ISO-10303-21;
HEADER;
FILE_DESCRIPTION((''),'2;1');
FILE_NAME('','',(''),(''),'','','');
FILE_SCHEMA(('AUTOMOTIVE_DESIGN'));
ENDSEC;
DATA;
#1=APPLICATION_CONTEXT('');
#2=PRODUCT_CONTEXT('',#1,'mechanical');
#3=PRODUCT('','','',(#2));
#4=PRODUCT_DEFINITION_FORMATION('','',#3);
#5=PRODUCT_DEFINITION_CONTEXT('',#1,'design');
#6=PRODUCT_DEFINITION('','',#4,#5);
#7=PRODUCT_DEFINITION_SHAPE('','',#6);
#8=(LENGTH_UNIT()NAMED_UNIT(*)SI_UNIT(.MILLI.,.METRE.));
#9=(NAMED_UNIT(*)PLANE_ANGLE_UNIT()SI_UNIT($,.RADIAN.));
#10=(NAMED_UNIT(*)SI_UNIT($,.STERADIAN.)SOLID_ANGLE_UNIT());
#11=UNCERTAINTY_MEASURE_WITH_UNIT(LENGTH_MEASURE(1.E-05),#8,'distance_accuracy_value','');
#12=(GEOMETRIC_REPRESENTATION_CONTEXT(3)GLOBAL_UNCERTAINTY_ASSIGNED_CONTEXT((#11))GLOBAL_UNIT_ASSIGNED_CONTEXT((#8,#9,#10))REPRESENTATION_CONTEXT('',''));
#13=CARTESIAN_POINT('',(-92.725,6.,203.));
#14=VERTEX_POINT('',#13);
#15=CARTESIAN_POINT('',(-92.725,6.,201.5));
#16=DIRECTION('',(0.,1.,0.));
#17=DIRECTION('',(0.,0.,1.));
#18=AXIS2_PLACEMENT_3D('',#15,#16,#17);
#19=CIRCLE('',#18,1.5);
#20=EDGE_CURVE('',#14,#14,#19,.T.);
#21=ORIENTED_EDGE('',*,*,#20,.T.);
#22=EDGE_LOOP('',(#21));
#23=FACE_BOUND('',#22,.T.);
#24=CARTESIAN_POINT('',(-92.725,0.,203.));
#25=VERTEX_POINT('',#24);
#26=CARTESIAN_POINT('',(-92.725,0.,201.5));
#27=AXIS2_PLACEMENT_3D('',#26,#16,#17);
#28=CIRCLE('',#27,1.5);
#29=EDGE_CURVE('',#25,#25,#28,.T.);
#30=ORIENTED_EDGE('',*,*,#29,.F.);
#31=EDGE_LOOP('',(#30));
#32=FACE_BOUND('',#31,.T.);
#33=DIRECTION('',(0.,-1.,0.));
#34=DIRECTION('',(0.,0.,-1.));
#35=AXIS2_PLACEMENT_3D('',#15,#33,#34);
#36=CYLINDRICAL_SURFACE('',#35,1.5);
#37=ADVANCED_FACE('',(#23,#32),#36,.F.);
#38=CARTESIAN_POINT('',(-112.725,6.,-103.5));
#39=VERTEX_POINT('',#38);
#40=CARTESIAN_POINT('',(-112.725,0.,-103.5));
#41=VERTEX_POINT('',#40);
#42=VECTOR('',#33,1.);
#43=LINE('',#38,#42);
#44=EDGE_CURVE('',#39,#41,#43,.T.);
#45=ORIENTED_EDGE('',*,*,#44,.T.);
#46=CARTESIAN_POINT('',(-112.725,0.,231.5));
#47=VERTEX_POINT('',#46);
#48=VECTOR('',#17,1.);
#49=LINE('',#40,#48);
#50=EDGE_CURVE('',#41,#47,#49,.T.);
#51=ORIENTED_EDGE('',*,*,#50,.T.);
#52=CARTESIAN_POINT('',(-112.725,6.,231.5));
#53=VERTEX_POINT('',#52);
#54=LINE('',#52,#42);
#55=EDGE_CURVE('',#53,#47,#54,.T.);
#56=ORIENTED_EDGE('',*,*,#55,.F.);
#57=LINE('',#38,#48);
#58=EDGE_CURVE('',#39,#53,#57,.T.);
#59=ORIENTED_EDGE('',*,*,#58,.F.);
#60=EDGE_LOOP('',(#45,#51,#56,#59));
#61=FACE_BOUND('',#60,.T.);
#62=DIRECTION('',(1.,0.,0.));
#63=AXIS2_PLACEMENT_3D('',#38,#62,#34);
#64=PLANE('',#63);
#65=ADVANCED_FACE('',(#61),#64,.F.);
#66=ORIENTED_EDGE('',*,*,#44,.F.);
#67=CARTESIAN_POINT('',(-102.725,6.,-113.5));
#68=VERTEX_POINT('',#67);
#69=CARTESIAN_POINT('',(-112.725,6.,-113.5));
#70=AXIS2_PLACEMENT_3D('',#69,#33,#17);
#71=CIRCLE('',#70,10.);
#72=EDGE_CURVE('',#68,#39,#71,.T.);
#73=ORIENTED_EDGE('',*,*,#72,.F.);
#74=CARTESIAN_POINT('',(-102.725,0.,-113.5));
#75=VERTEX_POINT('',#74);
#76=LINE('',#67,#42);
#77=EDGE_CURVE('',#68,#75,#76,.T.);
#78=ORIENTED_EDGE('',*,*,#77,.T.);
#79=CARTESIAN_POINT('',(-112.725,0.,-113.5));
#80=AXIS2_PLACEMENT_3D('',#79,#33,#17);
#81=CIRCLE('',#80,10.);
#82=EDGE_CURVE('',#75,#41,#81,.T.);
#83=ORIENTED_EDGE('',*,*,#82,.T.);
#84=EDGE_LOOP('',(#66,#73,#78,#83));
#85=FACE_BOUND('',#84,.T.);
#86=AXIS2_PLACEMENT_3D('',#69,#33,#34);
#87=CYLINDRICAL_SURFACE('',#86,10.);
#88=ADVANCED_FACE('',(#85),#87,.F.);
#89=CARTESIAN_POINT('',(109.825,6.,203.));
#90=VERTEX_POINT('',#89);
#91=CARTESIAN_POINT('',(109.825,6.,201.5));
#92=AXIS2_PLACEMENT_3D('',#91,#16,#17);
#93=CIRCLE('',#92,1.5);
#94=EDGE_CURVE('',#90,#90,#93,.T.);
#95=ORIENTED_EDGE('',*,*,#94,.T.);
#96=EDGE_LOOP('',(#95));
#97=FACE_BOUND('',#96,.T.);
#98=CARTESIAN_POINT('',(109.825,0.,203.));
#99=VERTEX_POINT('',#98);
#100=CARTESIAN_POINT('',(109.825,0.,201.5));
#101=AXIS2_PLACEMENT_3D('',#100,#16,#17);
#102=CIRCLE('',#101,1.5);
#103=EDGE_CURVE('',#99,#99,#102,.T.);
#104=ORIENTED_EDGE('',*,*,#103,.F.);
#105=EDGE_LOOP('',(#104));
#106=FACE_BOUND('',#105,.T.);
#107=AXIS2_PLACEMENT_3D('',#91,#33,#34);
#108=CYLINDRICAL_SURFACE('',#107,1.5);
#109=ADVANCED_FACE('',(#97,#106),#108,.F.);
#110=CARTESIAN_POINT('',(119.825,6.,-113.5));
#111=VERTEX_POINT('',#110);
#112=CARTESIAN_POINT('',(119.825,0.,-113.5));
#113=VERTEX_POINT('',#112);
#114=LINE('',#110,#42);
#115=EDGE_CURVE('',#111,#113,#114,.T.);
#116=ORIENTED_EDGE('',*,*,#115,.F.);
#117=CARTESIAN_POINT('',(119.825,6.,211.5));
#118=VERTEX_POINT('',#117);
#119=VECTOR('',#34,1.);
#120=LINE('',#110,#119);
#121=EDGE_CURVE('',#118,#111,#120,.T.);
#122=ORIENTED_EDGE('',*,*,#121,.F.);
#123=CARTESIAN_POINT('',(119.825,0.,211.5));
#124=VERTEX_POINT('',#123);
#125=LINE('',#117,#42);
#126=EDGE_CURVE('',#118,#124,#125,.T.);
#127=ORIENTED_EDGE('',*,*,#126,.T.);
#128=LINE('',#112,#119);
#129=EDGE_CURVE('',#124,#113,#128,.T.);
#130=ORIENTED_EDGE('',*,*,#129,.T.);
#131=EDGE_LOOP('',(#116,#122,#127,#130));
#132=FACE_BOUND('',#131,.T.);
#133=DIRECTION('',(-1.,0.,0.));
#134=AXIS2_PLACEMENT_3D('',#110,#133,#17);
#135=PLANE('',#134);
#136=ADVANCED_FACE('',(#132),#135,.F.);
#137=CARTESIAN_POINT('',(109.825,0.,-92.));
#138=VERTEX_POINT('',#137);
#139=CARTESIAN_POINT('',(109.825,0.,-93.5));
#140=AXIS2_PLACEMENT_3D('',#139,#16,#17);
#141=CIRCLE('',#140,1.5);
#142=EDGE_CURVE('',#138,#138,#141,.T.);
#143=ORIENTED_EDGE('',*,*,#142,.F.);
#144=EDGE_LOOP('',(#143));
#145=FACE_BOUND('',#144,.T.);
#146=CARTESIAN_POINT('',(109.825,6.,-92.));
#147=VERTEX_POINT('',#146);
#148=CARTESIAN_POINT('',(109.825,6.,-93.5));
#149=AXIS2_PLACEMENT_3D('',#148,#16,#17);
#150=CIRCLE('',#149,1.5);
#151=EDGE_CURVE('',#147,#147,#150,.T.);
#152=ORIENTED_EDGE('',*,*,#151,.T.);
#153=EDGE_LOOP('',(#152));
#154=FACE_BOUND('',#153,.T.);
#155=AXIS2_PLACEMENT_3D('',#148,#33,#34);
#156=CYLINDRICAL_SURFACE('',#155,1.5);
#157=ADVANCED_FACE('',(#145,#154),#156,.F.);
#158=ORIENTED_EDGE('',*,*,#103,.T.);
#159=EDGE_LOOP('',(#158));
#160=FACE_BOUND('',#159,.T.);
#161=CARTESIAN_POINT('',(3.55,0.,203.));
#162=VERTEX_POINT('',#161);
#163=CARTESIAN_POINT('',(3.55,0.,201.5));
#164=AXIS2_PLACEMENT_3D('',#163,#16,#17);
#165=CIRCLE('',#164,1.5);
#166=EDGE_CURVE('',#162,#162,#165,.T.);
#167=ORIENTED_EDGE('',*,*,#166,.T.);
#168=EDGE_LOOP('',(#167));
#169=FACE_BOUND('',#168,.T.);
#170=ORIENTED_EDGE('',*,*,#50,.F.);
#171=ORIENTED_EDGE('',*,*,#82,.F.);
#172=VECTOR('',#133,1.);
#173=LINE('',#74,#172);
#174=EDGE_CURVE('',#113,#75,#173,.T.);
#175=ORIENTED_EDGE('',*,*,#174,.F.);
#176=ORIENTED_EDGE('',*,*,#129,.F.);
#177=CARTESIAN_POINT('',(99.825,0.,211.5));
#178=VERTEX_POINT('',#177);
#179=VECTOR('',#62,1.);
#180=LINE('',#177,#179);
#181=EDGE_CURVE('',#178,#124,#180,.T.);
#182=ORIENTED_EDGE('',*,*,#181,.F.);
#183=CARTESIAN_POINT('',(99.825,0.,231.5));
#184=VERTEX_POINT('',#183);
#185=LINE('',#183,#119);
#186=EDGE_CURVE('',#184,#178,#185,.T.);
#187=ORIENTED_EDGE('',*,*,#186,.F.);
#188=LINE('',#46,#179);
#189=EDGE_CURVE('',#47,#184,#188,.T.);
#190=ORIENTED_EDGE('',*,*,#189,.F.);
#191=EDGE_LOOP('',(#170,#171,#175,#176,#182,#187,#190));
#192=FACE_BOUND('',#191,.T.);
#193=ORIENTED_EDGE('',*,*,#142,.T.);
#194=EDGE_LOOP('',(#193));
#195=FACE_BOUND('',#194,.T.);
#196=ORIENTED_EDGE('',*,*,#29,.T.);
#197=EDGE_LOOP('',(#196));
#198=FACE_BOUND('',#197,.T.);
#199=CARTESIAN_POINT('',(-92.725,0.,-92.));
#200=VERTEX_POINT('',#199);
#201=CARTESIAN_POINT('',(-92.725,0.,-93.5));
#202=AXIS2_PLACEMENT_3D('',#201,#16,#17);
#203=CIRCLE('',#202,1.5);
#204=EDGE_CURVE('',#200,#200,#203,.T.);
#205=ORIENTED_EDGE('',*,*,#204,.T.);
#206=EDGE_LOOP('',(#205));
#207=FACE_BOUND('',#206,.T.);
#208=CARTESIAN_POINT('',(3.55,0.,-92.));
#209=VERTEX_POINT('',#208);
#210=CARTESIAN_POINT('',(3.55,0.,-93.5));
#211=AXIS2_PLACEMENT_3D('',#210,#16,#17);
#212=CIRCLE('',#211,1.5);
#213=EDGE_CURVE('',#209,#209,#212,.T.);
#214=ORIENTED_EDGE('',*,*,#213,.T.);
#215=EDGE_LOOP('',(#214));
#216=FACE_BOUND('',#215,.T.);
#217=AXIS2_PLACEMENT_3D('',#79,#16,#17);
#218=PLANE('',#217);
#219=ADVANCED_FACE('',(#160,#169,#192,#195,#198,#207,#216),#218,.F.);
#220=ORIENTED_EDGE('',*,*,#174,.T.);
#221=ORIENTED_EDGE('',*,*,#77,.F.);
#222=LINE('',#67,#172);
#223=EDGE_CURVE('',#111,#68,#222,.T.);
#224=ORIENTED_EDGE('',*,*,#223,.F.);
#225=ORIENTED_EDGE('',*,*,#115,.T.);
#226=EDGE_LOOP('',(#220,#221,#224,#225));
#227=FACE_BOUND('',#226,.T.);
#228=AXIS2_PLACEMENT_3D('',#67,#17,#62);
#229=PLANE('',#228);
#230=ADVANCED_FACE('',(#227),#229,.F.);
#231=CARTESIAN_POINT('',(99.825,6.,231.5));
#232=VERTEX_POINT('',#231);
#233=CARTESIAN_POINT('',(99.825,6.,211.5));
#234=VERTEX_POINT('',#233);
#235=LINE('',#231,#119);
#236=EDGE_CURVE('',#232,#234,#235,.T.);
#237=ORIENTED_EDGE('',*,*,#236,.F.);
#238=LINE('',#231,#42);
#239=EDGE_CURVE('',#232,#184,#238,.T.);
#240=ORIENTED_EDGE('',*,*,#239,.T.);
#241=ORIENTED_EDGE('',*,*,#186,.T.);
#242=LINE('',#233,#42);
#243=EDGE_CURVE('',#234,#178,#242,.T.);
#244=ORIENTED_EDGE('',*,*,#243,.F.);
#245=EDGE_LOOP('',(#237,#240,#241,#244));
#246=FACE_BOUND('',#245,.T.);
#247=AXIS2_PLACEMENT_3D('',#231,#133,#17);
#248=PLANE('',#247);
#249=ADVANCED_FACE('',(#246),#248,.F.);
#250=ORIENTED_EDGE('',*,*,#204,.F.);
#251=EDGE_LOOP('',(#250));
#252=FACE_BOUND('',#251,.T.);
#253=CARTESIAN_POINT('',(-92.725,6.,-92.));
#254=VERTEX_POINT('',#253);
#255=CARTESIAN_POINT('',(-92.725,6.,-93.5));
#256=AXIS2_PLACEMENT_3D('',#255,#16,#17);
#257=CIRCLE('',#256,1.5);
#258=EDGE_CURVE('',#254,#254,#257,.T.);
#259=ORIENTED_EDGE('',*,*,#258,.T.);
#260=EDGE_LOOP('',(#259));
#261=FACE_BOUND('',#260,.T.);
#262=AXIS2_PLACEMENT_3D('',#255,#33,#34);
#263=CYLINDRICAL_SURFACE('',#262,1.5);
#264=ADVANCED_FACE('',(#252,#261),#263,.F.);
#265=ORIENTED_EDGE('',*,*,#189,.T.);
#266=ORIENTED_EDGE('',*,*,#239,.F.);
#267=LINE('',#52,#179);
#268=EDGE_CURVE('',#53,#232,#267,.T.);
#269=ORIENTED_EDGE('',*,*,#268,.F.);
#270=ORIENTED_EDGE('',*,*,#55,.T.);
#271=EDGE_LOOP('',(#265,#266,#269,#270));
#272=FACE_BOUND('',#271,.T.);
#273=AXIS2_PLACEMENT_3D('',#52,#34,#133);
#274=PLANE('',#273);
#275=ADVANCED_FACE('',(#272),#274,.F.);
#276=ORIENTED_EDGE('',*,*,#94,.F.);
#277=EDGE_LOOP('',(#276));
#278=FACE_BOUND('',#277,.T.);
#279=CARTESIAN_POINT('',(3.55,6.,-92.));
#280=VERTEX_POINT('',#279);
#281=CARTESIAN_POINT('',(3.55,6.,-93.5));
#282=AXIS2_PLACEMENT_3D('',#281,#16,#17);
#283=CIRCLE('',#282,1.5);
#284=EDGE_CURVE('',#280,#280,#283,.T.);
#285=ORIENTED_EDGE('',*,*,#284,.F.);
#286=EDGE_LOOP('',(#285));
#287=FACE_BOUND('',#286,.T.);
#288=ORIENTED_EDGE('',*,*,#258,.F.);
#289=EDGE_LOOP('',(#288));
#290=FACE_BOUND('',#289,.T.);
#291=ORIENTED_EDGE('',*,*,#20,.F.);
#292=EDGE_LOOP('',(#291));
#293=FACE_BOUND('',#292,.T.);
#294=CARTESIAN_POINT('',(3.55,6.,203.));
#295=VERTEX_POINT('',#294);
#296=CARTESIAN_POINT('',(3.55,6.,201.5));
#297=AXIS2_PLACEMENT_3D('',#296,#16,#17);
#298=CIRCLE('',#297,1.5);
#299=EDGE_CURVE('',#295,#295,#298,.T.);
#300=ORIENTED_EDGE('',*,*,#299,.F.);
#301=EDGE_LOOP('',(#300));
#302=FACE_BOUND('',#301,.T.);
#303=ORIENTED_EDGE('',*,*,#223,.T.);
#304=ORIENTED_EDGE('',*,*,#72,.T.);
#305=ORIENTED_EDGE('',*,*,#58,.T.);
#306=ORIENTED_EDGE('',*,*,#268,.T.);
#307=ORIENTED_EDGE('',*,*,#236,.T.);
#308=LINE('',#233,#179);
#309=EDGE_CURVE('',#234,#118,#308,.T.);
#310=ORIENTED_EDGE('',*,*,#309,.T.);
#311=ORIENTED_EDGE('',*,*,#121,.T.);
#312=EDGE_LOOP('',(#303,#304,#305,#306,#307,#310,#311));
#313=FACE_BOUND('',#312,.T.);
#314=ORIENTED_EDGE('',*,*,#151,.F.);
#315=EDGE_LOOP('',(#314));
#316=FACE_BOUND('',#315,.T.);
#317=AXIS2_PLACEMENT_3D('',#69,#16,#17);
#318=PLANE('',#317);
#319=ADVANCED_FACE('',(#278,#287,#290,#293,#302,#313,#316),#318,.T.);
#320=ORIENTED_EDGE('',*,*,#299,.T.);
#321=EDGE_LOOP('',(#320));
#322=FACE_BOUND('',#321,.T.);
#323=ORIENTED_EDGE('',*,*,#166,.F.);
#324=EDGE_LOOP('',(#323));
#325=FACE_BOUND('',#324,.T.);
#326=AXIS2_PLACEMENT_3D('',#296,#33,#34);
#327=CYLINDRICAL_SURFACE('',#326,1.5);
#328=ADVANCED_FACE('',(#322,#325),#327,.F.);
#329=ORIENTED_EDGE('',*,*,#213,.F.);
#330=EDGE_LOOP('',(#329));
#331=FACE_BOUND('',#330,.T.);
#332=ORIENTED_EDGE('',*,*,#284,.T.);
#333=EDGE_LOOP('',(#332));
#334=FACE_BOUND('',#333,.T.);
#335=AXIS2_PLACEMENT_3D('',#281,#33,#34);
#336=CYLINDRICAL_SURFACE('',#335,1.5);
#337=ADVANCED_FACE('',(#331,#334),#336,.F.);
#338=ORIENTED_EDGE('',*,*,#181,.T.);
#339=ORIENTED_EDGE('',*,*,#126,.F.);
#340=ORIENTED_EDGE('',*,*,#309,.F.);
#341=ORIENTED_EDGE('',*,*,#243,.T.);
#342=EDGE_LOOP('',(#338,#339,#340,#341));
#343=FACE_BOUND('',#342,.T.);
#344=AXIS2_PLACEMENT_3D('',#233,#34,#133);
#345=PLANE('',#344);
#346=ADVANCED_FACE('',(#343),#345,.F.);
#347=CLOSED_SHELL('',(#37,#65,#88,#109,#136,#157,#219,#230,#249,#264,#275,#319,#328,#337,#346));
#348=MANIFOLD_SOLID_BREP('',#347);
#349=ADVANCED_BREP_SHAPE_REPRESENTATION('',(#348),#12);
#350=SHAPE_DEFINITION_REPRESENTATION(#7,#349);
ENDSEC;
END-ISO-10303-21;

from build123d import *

# Parameters (mm, degrees)
SKETCH_1_R      = 1.5
EXTRUDE_1_DEPTH = 6


with BuildPart() as part:
    # 草图1 → 凸台-拉伸1 (new body)
    with BuildSketch(Plane(origin=(0, 0, 0), x_dir=(1, 0, 0), z_dir=(0, 1, 0))):
        with BuildLine():
            Line((-102.725, 113.5), (119.825, 113.5))
            Line((119.825, 113.5), (119.825, -211.5))
            Line((119.825, -211.5), (99.825, -211.5))
            Line((99.825, -211.5), (99.825, -231.5))
            Line((99.825, -231.5), (-112.725, -231.5))
            Line((-112.725, -231.5), (-112.725, 103.5))
            ThreePointArc((-112.725, 103.5), (-105.653932188, 106.428932188), (-102.725, 113.5))
        make_face()
        with Locations(Location((-92.725, 93.5, 0), (0, 0, 270))):
            Circle(SKETCH_1_R, mode=Mode.SUBTRACT)
        with Locations(Location((109.825, 93.5, 0), (0, 0, 270))):
            Circle(SKETCH_1_R, mode=Mode.SUBTRACT)
        with Locations(Location((3.55, 93.5, 0), (0, 0, 270))):
            Circle(SKETCH_1_R, mode=Mode.SUBTRACT)
        with Locations(Location((-92.725, -201.5, 0), (0, 0, 270))):
            Circle(SKETCH_1_R, mode=Mode.SUBTRACT)
        with Locations(Location((3.55, -201.5, 0), (0, 0, 270))):
            Circle(SKETCH_1_R, mode=Mode.SUBTRACT)
        with Locations(Location((109.825, -201.5, 0), (0, 0, 270))):
            Circle(SKETCH_1_R, mode=Mode.SUBTRACT)
    extrude(amount=EXTRUDE_1_DEPTH)


solid = part.part
